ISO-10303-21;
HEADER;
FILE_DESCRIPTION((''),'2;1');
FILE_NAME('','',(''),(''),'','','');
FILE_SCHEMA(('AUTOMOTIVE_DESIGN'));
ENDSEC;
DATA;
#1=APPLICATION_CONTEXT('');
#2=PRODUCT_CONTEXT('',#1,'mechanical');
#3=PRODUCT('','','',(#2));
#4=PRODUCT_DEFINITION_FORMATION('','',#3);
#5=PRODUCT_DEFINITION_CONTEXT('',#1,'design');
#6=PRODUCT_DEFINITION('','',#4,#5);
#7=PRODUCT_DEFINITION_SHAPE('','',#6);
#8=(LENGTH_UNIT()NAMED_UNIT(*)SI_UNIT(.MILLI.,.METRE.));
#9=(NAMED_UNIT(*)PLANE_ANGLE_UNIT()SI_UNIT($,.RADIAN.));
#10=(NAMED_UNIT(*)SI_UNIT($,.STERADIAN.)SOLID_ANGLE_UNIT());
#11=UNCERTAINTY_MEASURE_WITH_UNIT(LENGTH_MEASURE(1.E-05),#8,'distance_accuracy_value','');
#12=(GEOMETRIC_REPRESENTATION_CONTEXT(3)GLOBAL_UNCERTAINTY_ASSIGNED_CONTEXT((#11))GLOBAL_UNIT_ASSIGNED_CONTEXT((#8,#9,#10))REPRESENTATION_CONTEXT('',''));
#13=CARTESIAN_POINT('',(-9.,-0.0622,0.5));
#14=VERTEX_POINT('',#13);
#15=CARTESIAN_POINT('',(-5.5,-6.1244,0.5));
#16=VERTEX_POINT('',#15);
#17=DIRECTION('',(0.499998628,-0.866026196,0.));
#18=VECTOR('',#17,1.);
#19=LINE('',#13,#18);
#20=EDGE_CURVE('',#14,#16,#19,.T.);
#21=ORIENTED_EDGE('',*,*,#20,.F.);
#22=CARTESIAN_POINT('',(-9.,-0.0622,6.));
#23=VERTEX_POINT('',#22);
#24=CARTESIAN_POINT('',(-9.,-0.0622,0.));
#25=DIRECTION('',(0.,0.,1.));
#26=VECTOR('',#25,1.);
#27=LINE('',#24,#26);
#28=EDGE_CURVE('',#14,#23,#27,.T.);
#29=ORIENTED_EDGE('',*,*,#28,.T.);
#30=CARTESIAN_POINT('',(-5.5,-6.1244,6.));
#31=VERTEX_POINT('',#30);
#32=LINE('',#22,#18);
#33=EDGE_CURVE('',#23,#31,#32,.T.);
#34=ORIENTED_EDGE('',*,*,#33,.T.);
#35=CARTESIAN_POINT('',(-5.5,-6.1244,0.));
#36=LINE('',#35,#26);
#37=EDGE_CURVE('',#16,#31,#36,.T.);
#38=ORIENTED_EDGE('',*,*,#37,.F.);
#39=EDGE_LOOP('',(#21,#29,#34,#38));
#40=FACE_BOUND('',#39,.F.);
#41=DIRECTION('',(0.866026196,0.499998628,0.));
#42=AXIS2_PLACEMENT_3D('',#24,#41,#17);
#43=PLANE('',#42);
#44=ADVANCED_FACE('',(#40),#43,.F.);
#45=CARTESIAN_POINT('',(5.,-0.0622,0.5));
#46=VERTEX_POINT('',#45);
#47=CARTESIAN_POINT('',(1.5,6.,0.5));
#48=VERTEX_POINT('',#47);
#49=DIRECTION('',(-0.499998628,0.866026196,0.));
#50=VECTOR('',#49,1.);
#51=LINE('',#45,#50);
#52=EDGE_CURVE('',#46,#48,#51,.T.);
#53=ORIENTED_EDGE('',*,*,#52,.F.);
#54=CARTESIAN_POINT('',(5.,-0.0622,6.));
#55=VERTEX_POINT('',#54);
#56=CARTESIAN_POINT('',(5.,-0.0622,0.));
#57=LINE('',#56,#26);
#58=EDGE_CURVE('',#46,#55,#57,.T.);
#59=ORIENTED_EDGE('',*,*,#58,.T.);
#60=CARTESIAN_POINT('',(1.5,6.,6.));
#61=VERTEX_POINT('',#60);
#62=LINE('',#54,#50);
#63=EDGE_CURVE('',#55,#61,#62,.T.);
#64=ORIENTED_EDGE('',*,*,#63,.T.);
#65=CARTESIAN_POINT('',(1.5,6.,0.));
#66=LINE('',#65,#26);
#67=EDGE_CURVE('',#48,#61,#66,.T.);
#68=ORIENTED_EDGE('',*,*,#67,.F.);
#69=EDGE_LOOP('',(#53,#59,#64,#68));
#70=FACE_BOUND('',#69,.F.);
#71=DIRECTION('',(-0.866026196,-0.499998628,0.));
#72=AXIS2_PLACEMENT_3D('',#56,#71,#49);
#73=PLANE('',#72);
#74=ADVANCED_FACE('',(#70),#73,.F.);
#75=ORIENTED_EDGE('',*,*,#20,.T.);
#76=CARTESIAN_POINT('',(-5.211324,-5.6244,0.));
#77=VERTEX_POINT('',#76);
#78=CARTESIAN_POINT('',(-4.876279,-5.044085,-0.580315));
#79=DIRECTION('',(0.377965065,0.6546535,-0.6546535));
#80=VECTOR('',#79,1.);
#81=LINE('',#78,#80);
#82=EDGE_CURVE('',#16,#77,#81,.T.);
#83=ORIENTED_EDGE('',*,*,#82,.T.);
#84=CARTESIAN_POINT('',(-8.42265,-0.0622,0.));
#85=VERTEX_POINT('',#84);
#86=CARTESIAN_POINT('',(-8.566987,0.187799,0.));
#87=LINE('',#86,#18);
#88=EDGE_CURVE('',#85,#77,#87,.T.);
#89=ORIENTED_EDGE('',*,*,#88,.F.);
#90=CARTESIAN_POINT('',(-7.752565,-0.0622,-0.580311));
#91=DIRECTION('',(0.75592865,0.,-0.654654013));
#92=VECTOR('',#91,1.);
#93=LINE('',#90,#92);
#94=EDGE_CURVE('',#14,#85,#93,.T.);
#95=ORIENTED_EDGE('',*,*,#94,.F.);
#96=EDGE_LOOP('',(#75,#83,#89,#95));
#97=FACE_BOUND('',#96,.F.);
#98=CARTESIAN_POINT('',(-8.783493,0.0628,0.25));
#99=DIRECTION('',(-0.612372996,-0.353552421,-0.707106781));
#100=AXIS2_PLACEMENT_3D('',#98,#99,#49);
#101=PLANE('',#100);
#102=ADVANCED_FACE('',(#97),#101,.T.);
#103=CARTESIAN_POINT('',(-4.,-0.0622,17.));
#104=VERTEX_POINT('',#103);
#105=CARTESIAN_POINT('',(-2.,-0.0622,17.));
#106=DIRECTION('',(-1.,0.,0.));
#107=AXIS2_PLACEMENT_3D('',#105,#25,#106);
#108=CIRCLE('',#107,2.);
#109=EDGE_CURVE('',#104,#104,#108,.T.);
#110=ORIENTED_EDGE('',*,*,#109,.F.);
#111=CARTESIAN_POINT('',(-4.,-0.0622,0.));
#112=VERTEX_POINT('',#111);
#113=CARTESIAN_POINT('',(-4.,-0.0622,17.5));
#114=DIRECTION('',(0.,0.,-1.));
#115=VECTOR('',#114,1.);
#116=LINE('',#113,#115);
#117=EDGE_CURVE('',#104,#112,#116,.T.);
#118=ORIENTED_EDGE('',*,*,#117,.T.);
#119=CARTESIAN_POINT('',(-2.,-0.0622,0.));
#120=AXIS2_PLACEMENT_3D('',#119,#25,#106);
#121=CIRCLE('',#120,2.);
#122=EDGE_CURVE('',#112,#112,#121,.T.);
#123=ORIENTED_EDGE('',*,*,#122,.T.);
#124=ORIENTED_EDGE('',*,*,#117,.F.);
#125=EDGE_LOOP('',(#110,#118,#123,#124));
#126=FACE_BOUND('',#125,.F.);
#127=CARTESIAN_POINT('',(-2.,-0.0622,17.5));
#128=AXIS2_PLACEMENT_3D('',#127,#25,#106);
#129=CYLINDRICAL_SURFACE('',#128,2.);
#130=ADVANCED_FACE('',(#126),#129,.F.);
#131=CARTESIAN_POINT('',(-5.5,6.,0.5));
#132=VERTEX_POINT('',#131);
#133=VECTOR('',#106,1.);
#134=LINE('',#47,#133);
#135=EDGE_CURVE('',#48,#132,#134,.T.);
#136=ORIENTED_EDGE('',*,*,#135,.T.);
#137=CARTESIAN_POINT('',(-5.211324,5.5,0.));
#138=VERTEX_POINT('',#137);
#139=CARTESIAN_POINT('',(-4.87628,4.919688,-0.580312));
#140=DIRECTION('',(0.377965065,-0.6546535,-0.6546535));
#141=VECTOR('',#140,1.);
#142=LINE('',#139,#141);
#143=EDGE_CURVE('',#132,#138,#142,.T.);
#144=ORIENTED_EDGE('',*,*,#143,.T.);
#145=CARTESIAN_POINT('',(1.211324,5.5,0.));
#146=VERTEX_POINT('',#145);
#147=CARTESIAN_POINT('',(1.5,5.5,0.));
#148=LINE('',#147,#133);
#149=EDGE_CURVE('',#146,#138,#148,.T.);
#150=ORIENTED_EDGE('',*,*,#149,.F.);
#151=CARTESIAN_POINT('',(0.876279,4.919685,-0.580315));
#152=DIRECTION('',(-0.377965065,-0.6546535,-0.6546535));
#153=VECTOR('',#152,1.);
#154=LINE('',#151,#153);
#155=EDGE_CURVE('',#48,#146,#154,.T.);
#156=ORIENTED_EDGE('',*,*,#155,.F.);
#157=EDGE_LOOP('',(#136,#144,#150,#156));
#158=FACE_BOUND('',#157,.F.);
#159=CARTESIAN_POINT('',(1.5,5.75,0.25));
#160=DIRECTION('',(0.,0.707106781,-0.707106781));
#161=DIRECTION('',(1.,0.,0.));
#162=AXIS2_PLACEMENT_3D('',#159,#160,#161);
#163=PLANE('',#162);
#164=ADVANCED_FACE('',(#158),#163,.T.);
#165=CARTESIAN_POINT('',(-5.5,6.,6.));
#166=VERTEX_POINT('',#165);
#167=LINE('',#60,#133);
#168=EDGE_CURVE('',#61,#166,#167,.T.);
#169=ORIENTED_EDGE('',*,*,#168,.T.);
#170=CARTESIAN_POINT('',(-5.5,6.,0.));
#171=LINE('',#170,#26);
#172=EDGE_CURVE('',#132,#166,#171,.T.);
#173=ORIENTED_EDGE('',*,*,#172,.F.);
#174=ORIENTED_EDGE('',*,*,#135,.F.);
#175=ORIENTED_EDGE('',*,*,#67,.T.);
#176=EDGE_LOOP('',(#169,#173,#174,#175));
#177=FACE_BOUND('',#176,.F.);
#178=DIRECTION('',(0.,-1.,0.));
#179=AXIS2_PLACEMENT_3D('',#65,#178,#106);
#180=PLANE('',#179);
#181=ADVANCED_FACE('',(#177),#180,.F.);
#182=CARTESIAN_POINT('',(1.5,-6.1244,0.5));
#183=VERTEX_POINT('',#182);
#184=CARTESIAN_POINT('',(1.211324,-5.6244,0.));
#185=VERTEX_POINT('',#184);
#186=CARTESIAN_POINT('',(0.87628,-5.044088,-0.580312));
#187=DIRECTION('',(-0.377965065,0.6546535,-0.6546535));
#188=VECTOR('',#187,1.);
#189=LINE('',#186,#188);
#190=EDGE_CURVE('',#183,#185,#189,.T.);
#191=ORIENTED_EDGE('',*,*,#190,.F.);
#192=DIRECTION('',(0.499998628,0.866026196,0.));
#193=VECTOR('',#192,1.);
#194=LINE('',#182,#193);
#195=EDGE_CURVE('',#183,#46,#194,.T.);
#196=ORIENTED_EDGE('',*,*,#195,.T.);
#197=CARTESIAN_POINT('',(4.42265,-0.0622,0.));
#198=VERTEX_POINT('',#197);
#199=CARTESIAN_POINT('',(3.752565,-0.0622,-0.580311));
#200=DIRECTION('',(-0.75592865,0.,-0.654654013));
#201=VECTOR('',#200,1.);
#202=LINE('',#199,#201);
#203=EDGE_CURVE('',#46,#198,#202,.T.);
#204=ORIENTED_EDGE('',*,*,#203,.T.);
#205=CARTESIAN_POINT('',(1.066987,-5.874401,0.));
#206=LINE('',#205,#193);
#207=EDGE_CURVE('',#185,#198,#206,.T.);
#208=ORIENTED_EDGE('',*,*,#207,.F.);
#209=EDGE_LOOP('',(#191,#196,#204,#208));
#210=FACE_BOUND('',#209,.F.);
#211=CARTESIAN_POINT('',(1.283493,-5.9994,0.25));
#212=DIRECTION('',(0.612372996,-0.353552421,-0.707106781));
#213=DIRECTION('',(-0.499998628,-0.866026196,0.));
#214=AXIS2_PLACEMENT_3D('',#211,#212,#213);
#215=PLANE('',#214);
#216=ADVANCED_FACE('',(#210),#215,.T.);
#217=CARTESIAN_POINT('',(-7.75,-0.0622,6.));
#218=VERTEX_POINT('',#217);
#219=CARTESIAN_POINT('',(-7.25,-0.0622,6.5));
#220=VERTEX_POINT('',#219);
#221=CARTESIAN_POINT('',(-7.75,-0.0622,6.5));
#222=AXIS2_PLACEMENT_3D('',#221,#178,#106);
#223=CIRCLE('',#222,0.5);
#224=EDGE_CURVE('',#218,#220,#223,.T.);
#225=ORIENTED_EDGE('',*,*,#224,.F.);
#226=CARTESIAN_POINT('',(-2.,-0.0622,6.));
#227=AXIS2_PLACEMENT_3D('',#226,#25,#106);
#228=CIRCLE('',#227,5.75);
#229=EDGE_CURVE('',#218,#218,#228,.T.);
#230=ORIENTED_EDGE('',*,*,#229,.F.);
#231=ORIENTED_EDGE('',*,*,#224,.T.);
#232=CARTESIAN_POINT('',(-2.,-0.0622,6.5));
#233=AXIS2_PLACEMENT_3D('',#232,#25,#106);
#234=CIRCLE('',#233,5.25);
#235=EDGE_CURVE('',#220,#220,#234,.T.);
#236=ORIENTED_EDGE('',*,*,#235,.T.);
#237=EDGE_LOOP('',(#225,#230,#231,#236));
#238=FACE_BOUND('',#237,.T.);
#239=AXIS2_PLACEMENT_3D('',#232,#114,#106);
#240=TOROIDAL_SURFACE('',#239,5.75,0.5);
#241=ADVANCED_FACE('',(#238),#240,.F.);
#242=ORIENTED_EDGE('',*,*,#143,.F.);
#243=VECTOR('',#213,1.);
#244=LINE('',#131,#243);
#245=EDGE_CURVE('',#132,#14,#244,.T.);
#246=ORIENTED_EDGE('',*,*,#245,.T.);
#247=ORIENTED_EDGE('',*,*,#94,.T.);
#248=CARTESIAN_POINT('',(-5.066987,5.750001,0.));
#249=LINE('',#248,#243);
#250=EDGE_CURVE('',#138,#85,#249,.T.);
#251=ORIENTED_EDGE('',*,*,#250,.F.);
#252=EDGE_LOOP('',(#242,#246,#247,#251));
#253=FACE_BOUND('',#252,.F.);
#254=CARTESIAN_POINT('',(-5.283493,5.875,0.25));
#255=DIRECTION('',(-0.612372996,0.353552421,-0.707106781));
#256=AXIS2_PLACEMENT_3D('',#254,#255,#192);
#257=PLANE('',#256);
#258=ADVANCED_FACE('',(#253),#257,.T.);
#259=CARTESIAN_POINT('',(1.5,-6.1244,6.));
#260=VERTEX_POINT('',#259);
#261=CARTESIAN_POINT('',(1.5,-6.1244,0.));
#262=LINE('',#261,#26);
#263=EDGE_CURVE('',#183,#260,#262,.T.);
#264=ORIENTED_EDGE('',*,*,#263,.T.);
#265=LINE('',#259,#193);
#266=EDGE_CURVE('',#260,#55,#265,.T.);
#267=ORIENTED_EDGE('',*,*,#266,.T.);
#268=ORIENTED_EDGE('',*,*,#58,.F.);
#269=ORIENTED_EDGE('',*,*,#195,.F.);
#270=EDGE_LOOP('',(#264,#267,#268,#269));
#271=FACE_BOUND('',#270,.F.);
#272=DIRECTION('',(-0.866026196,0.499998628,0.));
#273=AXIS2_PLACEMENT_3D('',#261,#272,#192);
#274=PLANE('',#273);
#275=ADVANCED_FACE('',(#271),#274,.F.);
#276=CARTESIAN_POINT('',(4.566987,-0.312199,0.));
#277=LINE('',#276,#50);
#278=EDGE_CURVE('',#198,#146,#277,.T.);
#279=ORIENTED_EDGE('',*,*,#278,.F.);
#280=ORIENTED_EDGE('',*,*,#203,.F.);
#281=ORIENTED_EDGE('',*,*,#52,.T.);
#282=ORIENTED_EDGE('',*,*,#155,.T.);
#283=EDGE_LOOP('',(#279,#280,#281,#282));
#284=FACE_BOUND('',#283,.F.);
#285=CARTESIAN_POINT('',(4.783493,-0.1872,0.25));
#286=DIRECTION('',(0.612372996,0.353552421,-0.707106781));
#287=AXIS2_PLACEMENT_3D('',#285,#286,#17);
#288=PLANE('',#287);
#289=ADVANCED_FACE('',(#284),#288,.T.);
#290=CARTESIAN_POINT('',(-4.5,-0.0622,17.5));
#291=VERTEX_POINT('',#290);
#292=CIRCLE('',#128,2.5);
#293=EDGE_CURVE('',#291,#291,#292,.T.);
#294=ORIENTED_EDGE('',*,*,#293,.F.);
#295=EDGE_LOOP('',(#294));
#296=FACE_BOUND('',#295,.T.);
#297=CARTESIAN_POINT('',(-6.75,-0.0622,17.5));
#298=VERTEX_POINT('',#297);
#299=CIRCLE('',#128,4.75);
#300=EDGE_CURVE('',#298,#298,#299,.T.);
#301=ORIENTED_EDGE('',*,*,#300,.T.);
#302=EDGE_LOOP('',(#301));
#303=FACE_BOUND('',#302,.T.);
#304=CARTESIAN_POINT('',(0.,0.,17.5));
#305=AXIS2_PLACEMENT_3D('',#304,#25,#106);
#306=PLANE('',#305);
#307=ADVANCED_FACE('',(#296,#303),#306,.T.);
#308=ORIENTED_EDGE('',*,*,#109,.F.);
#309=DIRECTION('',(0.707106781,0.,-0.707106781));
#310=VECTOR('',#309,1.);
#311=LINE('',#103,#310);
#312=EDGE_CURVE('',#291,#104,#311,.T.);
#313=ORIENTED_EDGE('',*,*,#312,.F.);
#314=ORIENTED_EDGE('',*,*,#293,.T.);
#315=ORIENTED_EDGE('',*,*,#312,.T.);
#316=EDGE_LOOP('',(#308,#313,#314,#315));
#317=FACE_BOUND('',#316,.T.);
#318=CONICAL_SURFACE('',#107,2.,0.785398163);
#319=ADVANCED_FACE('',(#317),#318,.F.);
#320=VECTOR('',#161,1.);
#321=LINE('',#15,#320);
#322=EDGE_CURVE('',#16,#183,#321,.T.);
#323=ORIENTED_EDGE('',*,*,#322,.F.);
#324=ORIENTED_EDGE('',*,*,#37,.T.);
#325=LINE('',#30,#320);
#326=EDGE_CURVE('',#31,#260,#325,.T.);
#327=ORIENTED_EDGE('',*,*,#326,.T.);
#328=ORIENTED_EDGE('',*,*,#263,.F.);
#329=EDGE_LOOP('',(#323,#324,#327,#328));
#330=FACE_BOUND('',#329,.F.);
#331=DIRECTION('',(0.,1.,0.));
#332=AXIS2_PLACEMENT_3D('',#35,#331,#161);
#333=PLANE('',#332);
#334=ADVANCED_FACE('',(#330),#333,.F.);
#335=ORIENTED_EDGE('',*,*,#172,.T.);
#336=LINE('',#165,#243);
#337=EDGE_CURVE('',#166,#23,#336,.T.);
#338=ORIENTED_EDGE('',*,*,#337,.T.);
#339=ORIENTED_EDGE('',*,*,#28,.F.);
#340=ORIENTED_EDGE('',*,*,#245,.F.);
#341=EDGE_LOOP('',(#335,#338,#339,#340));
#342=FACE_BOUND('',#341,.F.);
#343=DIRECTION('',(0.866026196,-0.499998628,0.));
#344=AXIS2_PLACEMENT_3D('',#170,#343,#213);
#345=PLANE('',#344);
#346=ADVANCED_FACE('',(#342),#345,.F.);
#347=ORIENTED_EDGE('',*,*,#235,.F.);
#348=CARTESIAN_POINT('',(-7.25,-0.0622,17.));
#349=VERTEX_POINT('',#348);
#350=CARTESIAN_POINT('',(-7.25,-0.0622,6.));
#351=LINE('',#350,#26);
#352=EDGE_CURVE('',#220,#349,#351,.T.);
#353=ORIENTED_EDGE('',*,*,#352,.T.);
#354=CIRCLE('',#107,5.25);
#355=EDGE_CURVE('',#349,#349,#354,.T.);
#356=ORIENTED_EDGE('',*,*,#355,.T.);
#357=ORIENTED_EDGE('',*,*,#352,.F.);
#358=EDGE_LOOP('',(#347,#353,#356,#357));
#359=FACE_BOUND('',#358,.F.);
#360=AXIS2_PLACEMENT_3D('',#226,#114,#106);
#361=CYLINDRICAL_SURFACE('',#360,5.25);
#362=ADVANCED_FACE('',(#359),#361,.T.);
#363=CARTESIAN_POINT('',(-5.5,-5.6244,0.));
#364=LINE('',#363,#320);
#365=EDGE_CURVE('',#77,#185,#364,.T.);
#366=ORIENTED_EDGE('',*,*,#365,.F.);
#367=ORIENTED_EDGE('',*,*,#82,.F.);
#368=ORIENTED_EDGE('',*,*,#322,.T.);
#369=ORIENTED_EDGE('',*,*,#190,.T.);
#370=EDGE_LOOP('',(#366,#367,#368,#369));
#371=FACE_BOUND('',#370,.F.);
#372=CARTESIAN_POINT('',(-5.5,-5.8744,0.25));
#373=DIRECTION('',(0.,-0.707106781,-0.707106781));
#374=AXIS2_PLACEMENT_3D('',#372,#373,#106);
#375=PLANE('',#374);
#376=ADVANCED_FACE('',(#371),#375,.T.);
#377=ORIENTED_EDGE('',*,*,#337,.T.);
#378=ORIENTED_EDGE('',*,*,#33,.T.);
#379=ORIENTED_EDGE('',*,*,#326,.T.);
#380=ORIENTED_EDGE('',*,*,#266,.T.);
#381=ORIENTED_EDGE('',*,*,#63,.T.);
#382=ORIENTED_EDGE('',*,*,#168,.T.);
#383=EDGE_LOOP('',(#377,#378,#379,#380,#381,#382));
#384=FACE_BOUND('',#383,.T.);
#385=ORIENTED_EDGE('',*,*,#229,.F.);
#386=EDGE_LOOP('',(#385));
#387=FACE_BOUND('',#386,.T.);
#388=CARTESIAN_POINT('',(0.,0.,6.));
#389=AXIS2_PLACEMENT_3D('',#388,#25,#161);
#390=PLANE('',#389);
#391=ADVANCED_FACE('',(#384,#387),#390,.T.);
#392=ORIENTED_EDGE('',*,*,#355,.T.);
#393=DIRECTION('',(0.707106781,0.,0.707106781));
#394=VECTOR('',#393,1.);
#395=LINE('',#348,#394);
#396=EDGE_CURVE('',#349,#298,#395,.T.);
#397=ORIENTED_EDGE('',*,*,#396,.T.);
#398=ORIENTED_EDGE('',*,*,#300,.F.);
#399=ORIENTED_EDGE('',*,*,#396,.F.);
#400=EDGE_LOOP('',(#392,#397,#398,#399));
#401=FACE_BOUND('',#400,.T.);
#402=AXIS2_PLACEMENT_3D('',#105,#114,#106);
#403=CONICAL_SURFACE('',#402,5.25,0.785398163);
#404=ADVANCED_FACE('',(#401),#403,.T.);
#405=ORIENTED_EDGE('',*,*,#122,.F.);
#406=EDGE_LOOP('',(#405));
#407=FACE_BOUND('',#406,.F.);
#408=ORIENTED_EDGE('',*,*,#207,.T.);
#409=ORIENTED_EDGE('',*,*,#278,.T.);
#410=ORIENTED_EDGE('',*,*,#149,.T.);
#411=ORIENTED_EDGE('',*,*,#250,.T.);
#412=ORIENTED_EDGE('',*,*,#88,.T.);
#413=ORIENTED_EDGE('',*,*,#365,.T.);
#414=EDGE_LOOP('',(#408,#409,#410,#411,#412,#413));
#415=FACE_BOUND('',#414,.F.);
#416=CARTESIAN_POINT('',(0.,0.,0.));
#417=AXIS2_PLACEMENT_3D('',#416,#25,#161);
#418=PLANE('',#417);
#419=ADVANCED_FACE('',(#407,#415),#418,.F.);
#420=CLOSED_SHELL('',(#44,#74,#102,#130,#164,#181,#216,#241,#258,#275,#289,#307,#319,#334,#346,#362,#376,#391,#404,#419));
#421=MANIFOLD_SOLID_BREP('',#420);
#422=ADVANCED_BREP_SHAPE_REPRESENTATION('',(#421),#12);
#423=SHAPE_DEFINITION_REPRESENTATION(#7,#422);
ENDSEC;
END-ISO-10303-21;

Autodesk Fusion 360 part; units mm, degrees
sketch "Sketch1" plane through (0, 0, 0) normal (0, 0, 1) x (1, 0, 0)
  line L0 (-5.5, 6) -> (-9, -0.0622)
  line L1 (-9, -0.0622) -> (-5.5, -6.1244)
  line L2 (-5.5, -6.1244) -> (1.5, -6.1244)
  line L3 (1.5, -6.1244) -> (5, -0.0622)
  line L4 (5, -0.0622) -> (1.5, 6)
  line L5 (1.5, 6) -> (-5.5, 6)
  point P0 (-2, -0.0622)
extrude "Extrude1" add sketch "Sketch1" along normal blind 6
sketch "Sketch2" plane through (0, 0, 6) normal (0, 0, 1) x (-1, 0, 0)
  line L0 (-1.5, -6) -> (5.5, -6)
  line L1 (5.5, -6) -> (9, 0.0622)
  line L2 (9, 0.0622) -> (5.5, 6.1244)
  line L3 (5.5, 6.1244) -> (-1.5, 6.1244)
  line L4 (-1.5, 6.1244) -> (-5, 0.0622)
  line L5 (-5, 0.0622) -> (-1.5, -6)
  circle A0 centre (2, 0.0622) radius 5.25
  dimension "d3" = 10.5
extrude "Extrude2" add sketch "Sketch2" along normal blind 11.5 contours A0
fillet "Fillet1" radius 0.5 1 edges at (2.8947, -1.9607, 6)
sketch "Sketch3" plane through (0, 0, 17.5) normal (0, 0, 1) x (-1, 0, 0)
  circle A0 centre (2, 0.0622) radius 5.25
  circle A1 centre (2, 0.0622) radius 2
  dimension "d8" = 4
extrude "Extrude3" cut sketch "Sketch3" against normal blind 31.5 contours A1
chamfer "Chamfer1" distance 0.5 angle 45 2 edges at (-0.1353, -0.7854, 17.5) (2.8947, 1.8363, 17.5)
chamfer "Chamfer2" distance 0.5 angle 45 6 edges at (-2, -6.1244, 0) (-7.25, -3.0933, 0) (-7.25, 2.9689, 0) (-2, 6, 0) (3.25, 2.9689, 0) (3.25, -3.0933, 0)
